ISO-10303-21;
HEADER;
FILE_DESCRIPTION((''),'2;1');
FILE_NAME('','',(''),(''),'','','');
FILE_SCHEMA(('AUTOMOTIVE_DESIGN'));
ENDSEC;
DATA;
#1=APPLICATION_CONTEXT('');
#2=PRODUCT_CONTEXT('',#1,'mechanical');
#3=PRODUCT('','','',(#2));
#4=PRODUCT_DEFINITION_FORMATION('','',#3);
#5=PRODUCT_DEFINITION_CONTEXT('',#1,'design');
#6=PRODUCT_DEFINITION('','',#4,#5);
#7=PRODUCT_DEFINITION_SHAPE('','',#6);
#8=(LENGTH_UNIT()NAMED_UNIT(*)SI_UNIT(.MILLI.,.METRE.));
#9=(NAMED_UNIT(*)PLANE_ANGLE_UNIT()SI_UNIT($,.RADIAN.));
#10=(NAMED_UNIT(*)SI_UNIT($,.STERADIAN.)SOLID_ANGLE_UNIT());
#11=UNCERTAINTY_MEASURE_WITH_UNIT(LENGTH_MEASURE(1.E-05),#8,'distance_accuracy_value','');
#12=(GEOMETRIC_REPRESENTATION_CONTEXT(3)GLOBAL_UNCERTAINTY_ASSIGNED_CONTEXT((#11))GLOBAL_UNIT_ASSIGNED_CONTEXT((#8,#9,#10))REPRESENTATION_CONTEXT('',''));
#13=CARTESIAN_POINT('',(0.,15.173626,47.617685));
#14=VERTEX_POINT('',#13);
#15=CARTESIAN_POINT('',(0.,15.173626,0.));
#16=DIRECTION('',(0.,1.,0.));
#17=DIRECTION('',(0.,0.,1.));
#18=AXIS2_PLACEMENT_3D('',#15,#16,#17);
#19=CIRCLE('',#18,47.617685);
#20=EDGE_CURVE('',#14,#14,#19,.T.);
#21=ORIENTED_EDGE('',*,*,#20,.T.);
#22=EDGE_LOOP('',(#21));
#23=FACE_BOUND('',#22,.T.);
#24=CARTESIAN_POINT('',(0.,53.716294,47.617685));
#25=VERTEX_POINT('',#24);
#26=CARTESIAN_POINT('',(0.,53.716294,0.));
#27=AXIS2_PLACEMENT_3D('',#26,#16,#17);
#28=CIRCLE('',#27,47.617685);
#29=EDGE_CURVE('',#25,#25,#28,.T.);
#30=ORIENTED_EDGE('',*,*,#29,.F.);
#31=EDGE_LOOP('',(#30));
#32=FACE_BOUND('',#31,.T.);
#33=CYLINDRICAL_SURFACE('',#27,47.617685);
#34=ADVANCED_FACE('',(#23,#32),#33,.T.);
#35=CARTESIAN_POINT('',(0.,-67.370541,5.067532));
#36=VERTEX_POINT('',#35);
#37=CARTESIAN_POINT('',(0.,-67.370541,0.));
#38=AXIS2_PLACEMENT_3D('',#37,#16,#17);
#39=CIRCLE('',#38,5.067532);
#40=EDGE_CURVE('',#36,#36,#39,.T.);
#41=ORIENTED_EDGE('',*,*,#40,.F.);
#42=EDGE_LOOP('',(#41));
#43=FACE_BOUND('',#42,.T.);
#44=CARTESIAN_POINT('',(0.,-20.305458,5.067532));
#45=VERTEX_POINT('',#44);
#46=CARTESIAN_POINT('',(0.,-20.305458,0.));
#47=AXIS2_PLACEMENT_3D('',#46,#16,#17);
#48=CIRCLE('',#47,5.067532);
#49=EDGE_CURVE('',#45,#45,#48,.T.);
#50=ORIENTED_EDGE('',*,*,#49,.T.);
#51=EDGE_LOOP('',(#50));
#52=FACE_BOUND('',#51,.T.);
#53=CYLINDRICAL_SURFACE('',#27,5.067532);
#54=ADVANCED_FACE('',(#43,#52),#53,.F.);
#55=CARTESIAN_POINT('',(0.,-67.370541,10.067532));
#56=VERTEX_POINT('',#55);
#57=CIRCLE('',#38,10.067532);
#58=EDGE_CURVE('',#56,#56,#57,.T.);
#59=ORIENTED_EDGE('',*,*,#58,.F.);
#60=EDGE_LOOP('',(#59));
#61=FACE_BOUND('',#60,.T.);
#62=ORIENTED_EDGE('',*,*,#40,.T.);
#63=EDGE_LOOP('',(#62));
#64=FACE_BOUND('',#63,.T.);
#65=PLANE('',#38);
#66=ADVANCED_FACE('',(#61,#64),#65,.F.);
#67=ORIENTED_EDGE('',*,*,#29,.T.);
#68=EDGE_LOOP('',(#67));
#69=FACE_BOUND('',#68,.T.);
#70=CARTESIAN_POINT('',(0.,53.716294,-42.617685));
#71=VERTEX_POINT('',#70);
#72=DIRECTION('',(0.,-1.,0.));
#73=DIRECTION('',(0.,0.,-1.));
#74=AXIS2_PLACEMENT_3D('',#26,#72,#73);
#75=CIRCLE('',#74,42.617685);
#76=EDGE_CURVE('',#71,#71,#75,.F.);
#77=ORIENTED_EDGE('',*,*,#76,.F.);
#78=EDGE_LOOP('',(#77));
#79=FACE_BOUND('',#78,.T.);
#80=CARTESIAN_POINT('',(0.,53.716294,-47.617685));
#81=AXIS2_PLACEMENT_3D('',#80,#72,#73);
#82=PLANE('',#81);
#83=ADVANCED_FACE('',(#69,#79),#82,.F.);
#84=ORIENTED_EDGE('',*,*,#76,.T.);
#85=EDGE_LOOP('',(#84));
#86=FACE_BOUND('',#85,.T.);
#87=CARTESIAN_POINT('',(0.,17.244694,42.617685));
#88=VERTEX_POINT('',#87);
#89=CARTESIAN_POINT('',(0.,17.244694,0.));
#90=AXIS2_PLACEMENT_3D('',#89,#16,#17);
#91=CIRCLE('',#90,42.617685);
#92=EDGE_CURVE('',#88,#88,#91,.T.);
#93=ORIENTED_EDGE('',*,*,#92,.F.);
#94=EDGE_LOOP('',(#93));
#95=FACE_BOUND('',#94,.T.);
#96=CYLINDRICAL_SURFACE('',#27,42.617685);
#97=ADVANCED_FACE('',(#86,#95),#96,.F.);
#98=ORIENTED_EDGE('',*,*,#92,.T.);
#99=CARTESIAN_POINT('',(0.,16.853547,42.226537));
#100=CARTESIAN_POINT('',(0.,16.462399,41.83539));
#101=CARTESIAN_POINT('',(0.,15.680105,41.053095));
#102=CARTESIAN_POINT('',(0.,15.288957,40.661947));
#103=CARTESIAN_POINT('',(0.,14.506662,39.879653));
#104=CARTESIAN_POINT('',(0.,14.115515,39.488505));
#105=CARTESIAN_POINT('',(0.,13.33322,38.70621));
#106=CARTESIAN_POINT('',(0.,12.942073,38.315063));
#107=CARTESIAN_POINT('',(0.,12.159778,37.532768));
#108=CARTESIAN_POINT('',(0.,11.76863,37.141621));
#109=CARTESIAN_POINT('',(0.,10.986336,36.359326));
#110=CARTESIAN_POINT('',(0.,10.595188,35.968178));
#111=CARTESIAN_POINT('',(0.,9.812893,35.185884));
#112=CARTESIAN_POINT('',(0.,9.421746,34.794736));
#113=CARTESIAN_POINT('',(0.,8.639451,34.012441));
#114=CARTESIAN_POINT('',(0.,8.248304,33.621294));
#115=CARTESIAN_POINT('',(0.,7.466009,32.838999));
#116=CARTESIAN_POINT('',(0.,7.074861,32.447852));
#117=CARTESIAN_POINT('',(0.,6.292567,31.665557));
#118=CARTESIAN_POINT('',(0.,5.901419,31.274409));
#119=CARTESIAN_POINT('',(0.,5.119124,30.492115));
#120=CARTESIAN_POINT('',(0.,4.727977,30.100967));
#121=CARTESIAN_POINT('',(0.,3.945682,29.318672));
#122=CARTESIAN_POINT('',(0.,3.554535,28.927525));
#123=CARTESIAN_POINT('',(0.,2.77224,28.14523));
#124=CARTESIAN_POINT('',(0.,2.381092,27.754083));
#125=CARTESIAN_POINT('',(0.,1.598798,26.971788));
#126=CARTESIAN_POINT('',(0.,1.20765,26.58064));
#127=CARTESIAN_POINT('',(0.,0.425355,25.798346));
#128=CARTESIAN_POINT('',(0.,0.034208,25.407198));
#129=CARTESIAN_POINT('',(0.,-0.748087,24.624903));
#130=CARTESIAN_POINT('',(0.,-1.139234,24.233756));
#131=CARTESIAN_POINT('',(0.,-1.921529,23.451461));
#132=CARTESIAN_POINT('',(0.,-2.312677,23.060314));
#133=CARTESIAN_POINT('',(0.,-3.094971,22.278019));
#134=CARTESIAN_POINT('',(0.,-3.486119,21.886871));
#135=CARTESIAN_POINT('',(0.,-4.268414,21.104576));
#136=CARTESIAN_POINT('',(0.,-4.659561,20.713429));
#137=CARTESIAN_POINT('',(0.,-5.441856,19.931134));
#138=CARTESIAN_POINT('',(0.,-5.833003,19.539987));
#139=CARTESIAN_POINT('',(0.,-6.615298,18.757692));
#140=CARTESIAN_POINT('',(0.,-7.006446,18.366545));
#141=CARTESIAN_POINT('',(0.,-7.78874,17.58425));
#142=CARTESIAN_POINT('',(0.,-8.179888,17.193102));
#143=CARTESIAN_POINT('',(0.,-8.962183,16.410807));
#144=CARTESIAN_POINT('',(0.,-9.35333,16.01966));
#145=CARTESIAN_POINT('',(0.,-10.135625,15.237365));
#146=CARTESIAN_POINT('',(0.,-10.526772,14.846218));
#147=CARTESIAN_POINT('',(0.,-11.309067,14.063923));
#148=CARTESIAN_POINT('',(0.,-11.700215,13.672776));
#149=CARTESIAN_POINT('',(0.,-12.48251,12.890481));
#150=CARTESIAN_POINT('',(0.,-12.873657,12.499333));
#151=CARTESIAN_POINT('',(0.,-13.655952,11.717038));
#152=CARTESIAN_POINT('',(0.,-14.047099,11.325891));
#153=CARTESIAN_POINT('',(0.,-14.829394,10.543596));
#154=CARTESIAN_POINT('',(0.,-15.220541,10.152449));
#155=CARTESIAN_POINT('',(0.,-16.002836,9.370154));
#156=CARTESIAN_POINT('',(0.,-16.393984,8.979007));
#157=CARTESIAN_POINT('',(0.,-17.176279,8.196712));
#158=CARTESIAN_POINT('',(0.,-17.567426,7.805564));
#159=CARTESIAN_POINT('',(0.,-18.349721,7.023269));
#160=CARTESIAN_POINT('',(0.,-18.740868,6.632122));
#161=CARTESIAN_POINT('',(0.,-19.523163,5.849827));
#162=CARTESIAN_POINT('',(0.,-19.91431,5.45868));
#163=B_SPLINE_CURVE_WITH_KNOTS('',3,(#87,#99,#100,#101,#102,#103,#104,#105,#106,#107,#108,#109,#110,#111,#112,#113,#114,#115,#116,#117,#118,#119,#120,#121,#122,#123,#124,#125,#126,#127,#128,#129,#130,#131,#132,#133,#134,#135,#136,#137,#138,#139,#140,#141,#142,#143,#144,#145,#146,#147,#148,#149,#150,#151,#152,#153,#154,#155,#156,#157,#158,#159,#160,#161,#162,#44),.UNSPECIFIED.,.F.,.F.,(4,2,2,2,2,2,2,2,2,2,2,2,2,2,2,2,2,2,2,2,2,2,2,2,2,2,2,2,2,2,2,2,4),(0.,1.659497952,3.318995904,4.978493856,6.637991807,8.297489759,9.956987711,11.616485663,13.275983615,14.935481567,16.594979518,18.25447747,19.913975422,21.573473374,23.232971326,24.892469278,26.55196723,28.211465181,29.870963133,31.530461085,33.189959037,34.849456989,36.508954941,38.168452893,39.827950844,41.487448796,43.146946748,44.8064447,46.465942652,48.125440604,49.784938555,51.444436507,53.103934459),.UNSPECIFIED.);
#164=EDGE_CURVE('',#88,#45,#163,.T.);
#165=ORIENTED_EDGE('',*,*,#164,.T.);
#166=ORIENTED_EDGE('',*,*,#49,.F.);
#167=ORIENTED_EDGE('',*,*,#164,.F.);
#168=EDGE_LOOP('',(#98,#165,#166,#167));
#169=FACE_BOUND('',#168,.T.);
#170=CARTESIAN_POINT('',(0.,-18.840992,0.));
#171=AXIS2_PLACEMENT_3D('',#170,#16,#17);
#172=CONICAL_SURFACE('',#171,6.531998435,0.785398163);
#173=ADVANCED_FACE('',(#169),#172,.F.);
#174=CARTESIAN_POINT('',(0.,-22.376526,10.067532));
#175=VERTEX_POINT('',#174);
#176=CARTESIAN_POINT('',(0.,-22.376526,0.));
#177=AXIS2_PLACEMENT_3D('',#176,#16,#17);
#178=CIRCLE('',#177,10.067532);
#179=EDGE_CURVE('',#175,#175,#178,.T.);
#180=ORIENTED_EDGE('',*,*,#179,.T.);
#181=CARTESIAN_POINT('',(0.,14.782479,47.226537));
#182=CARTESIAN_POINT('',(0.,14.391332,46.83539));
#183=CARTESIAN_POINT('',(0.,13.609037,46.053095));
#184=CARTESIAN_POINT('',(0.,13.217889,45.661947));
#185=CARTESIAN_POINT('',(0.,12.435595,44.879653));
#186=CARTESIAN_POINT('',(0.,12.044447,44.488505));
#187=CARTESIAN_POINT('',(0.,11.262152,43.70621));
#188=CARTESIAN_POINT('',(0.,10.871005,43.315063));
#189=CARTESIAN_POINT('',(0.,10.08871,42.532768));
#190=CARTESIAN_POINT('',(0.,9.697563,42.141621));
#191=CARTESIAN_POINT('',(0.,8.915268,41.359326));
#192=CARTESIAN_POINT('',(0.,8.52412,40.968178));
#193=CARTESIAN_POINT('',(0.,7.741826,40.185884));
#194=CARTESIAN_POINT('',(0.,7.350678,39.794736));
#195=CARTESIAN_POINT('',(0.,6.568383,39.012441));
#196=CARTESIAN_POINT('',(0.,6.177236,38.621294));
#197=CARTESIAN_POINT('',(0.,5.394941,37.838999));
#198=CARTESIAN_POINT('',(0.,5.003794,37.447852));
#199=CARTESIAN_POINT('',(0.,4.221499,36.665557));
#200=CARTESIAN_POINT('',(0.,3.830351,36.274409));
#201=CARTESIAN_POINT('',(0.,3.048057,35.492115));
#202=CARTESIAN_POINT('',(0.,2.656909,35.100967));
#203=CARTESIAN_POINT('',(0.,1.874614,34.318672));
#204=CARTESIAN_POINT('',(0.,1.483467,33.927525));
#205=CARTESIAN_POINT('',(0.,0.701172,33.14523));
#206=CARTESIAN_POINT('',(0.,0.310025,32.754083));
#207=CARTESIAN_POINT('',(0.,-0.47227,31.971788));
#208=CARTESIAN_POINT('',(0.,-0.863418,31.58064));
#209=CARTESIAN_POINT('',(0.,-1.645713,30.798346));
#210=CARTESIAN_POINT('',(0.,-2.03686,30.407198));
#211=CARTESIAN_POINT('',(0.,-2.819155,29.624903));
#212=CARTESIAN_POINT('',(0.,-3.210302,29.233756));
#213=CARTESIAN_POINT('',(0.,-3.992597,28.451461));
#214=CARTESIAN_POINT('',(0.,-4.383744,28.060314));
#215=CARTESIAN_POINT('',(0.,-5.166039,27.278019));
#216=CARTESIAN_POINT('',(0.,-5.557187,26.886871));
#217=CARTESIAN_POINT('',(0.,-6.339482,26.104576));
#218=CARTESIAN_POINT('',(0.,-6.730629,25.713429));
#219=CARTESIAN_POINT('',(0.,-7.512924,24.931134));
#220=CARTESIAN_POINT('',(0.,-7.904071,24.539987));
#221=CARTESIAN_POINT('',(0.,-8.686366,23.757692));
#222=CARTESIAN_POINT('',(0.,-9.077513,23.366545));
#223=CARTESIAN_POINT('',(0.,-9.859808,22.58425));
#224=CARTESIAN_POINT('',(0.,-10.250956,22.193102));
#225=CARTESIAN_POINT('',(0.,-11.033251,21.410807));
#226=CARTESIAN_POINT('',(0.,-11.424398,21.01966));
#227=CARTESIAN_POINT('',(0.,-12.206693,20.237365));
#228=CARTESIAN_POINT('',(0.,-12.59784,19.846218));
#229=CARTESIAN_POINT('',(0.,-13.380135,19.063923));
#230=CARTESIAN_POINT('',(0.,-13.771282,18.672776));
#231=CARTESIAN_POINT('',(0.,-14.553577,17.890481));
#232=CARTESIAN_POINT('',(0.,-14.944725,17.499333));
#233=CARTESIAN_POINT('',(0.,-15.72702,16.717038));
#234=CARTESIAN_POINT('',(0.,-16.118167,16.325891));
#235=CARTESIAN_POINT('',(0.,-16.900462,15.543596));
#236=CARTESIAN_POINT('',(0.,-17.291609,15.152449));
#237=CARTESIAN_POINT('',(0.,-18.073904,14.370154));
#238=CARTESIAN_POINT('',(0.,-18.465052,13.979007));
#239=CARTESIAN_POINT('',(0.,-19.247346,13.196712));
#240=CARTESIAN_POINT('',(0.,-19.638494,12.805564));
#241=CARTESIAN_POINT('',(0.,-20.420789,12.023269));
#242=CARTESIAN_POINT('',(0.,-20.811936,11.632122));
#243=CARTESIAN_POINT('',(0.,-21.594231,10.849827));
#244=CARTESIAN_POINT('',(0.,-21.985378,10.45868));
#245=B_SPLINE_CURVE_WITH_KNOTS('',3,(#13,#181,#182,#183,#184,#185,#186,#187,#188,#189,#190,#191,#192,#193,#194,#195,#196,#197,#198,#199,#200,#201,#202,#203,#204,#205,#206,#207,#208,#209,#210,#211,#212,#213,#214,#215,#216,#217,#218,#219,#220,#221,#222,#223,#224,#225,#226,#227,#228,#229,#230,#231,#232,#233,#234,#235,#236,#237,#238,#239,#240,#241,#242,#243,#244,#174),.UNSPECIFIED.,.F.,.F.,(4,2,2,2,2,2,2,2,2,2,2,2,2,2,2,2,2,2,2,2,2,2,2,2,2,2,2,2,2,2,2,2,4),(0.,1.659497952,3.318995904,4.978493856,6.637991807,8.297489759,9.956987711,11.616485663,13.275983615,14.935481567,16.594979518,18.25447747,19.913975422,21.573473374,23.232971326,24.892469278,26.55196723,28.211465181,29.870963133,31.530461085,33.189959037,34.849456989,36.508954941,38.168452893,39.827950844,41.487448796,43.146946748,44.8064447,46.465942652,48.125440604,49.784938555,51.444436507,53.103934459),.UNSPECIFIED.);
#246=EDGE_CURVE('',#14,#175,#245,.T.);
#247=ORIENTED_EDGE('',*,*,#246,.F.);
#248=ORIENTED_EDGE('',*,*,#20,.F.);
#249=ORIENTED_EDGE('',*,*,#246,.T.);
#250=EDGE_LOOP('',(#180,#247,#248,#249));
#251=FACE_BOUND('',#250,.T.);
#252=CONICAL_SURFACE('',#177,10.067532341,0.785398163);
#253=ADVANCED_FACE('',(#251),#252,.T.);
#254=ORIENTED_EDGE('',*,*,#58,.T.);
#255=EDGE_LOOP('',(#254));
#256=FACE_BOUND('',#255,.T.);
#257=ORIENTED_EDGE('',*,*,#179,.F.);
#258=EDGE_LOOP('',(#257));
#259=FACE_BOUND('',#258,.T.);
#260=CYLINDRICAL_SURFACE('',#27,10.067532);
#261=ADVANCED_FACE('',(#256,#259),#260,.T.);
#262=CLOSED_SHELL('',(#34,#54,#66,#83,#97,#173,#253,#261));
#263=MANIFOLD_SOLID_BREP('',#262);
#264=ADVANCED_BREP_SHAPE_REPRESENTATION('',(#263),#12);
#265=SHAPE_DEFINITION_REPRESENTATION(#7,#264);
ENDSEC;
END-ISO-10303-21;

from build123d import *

# Parameters (mm, degrees)
VACIADO1_T = -5


with BuildPart() as part:
    # Croquis1 → Revolución1 (revolve)
    with BuildSketch(Plane(origin=(0, 0, 0), x_dir=(0, 0, -1), z_dir=(1, 0, 0)), mode=Mode.PRIVATE) as revoluci_n1_sk:
        Polygon((0, 53.716293677), (0, -67.370540613), (10.067532341, -67.370540613), (10.067532341, -22.376525686), (47.617684505, 15.173626478), (47.617684505, 53.716293677), align=None)
    revolve(revoluci_n1_sk.sketch.rotate(Axis((0, 53.716293677, 0), (0, -1, 0)), 180), axis=Axis((0, 53.716293677, 0), (0, -1, 0)))

    # Vaciado1
    vaciado1_openings = [part.faces().sort_by_distance(p)[0] for p in [
        (0, -67.370540613, 0),
        (0, 53.716293677, 0),
    ]]
    offset(amount=VACIADO1_T, openings=vaciado1_openings, kind=Kind.INTERSECTION)


solid = part.part
